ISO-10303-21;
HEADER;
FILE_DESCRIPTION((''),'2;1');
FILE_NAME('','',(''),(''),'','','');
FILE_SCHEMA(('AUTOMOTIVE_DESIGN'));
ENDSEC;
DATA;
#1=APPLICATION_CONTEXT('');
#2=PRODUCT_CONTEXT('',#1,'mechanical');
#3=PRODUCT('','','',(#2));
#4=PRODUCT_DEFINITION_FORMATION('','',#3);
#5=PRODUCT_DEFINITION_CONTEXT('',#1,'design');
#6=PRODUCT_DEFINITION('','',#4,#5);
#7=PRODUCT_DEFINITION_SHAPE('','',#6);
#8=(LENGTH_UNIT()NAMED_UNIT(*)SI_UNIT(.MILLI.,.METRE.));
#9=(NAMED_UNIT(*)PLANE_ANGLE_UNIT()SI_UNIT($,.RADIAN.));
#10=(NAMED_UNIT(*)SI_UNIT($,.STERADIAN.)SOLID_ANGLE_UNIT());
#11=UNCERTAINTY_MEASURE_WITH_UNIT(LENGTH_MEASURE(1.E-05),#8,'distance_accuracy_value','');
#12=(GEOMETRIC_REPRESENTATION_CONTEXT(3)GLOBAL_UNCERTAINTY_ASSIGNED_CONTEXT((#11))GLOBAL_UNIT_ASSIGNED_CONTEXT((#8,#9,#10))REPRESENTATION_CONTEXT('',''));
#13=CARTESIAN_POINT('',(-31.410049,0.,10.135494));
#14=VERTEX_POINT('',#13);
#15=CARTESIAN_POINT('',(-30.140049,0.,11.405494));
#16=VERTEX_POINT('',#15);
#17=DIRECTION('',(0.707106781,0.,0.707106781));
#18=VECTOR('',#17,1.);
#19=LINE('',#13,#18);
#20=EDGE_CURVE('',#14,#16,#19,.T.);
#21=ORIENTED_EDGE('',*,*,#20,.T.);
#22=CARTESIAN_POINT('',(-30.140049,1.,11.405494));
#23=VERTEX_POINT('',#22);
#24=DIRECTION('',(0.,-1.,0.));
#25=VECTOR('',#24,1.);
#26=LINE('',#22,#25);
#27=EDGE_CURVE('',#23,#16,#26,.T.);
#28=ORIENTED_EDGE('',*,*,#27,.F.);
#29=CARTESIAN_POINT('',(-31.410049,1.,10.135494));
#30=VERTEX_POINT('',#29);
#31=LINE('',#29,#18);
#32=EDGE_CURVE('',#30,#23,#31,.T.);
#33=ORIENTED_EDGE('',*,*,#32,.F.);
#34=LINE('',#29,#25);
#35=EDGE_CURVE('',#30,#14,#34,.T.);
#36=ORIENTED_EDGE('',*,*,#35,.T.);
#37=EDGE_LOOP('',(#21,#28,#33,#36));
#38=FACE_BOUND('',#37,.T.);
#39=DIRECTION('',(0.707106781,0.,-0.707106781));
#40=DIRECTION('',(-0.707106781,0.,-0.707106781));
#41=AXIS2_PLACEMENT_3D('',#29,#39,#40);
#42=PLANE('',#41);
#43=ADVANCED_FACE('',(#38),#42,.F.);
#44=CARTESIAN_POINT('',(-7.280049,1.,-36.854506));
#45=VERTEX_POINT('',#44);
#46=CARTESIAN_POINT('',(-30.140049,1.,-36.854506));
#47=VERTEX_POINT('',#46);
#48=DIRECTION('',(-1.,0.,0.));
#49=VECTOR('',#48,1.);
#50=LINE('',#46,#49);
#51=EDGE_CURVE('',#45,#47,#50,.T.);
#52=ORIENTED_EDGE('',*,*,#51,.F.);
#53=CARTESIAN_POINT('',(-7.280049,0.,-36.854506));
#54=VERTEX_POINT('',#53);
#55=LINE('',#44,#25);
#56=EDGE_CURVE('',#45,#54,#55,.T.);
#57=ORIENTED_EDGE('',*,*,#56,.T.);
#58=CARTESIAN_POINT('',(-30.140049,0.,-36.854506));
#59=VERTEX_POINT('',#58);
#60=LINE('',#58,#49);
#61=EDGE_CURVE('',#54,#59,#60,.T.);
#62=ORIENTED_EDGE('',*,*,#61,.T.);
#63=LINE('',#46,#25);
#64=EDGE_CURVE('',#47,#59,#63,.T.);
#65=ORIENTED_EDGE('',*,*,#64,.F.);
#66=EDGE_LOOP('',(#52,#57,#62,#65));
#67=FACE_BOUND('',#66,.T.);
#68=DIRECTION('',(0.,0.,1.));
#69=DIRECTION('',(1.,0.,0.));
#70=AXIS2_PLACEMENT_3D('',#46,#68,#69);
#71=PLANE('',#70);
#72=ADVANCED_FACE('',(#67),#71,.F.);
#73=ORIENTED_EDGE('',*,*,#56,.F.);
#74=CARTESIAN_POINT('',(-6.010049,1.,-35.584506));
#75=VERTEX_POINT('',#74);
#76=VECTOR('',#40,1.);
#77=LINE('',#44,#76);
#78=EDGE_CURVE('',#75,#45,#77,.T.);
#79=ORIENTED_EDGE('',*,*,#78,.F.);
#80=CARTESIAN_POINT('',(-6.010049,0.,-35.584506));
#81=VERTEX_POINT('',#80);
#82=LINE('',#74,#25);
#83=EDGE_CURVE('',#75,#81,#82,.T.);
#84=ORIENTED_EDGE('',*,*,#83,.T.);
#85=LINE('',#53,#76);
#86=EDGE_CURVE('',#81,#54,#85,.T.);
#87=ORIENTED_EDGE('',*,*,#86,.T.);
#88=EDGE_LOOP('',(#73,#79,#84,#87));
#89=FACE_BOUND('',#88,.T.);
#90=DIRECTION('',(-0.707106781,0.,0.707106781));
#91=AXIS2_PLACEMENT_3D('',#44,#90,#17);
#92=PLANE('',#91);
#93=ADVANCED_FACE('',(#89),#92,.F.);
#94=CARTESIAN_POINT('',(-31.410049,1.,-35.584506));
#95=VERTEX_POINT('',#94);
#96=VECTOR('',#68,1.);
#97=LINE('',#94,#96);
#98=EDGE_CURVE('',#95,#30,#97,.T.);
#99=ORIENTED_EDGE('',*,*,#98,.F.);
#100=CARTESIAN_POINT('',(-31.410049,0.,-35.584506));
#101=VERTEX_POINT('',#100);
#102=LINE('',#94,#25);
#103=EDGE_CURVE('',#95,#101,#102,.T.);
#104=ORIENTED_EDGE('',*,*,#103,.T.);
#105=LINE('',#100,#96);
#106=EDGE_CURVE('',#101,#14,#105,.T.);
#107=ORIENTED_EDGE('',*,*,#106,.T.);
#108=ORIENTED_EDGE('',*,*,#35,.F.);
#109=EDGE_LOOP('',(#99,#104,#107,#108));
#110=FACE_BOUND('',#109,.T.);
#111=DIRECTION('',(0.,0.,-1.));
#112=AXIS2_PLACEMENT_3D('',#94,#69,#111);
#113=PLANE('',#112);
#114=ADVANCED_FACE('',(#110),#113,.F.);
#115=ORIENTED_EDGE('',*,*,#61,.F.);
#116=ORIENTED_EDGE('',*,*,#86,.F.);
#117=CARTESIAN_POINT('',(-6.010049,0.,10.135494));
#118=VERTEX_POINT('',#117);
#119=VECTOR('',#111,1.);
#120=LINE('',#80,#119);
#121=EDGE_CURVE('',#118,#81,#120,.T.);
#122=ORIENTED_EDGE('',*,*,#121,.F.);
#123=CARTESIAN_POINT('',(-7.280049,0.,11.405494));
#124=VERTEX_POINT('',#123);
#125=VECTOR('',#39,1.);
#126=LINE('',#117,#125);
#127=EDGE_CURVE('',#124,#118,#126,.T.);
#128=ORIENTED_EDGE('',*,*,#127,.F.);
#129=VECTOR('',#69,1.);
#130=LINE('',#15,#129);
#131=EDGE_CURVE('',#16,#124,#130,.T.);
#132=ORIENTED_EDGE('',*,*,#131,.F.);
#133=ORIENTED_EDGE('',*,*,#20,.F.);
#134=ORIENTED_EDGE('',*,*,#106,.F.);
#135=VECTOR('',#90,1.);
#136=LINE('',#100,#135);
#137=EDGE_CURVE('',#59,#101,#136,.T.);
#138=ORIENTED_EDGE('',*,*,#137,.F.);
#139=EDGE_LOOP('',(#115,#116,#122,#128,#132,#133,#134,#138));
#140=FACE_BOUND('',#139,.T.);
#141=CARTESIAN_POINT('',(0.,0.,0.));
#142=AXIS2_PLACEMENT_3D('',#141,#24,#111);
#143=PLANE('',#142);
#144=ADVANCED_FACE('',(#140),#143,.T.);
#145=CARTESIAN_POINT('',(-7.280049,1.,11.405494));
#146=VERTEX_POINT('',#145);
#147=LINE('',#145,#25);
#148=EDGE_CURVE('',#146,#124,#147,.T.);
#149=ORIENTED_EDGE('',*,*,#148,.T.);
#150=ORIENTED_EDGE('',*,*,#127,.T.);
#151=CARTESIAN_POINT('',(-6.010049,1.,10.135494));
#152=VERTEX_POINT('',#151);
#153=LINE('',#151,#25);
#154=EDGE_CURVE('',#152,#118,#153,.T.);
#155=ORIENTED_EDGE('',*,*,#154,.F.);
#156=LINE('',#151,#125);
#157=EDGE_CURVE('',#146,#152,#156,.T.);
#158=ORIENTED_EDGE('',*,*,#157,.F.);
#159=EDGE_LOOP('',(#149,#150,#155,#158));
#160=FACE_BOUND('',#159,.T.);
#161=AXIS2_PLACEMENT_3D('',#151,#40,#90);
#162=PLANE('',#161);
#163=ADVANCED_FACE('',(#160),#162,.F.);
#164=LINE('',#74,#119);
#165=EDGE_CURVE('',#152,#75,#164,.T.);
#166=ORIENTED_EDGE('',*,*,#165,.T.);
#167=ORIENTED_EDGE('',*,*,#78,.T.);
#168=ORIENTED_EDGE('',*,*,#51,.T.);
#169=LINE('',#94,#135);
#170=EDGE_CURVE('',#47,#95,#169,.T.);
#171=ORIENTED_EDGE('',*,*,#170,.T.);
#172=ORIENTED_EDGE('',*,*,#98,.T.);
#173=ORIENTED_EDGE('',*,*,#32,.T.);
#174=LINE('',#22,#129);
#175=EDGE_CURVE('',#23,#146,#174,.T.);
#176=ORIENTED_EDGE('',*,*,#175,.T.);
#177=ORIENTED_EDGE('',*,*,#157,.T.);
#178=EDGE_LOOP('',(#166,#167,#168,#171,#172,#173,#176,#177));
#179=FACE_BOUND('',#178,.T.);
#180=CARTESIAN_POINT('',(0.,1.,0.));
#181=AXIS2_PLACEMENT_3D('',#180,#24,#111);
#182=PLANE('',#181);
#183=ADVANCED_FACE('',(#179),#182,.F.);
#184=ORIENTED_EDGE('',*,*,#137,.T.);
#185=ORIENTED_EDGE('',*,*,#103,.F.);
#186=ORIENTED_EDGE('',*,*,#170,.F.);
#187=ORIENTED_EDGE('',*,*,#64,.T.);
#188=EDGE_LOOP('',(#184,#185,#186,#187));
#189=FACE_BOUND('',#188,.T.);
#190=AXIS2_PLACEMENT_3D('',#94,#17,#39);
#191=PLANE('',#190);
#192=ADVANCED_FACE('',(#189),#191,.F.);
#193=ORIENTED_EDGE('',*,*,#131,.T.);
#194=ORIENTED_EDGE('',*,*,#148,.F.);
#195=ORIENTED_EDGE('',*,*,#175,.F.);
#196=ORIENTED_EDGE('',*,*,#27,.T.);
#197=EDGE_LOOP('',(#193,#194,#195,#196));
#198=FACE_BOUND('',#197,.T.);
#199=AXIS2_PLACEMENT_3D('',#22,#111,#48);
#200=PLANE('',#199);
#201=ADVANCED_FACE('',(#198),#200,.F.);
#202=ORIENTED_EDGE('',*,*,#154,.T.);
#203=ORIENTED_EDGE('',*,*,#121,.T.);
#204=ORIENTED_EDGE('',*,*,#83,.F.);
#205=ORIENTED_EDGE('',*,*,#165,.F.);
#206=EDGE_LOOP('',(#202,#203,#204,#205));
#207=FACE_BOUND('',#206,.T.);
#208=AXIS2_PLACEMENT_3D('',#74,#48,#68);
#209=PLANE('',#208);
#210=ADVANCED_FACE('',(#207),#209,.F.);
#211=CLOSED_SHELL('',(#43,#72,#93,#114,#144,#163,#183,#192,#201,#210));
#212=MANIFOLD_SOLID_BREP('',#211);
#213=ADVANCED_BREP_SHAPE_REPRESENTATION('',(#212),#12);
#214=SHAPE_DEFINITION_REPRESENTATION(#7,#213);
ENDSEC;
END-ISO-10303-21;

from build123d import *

# Parameters (mm, degrees)
BOSS_EXTRUDE1_DEPTH = 1


with BuildPart() as part:
    # Sketch1 → Boss-Extrude1 (new body)
    with BuildSketch(Plane(origin=(0, 0, 0), x_dir=(1, 0, 0), z_dir=(0, 1, 0))):
        Polygon((-31.410048731, 35.584506185), (-30.140048731, 36.854506185), (-7.280048731, 36.854506185), (-6.010048731, 35.584506185), (-6.010048731, -10.135493815), (-7.280048731, -11.405493815), (-30.140048731, -11.405493815), (-31.410048731, -10.135493815), align=None)
    extrude(amount=BOSS_EXTRUDE1_DEPTH)


solid = part.part
